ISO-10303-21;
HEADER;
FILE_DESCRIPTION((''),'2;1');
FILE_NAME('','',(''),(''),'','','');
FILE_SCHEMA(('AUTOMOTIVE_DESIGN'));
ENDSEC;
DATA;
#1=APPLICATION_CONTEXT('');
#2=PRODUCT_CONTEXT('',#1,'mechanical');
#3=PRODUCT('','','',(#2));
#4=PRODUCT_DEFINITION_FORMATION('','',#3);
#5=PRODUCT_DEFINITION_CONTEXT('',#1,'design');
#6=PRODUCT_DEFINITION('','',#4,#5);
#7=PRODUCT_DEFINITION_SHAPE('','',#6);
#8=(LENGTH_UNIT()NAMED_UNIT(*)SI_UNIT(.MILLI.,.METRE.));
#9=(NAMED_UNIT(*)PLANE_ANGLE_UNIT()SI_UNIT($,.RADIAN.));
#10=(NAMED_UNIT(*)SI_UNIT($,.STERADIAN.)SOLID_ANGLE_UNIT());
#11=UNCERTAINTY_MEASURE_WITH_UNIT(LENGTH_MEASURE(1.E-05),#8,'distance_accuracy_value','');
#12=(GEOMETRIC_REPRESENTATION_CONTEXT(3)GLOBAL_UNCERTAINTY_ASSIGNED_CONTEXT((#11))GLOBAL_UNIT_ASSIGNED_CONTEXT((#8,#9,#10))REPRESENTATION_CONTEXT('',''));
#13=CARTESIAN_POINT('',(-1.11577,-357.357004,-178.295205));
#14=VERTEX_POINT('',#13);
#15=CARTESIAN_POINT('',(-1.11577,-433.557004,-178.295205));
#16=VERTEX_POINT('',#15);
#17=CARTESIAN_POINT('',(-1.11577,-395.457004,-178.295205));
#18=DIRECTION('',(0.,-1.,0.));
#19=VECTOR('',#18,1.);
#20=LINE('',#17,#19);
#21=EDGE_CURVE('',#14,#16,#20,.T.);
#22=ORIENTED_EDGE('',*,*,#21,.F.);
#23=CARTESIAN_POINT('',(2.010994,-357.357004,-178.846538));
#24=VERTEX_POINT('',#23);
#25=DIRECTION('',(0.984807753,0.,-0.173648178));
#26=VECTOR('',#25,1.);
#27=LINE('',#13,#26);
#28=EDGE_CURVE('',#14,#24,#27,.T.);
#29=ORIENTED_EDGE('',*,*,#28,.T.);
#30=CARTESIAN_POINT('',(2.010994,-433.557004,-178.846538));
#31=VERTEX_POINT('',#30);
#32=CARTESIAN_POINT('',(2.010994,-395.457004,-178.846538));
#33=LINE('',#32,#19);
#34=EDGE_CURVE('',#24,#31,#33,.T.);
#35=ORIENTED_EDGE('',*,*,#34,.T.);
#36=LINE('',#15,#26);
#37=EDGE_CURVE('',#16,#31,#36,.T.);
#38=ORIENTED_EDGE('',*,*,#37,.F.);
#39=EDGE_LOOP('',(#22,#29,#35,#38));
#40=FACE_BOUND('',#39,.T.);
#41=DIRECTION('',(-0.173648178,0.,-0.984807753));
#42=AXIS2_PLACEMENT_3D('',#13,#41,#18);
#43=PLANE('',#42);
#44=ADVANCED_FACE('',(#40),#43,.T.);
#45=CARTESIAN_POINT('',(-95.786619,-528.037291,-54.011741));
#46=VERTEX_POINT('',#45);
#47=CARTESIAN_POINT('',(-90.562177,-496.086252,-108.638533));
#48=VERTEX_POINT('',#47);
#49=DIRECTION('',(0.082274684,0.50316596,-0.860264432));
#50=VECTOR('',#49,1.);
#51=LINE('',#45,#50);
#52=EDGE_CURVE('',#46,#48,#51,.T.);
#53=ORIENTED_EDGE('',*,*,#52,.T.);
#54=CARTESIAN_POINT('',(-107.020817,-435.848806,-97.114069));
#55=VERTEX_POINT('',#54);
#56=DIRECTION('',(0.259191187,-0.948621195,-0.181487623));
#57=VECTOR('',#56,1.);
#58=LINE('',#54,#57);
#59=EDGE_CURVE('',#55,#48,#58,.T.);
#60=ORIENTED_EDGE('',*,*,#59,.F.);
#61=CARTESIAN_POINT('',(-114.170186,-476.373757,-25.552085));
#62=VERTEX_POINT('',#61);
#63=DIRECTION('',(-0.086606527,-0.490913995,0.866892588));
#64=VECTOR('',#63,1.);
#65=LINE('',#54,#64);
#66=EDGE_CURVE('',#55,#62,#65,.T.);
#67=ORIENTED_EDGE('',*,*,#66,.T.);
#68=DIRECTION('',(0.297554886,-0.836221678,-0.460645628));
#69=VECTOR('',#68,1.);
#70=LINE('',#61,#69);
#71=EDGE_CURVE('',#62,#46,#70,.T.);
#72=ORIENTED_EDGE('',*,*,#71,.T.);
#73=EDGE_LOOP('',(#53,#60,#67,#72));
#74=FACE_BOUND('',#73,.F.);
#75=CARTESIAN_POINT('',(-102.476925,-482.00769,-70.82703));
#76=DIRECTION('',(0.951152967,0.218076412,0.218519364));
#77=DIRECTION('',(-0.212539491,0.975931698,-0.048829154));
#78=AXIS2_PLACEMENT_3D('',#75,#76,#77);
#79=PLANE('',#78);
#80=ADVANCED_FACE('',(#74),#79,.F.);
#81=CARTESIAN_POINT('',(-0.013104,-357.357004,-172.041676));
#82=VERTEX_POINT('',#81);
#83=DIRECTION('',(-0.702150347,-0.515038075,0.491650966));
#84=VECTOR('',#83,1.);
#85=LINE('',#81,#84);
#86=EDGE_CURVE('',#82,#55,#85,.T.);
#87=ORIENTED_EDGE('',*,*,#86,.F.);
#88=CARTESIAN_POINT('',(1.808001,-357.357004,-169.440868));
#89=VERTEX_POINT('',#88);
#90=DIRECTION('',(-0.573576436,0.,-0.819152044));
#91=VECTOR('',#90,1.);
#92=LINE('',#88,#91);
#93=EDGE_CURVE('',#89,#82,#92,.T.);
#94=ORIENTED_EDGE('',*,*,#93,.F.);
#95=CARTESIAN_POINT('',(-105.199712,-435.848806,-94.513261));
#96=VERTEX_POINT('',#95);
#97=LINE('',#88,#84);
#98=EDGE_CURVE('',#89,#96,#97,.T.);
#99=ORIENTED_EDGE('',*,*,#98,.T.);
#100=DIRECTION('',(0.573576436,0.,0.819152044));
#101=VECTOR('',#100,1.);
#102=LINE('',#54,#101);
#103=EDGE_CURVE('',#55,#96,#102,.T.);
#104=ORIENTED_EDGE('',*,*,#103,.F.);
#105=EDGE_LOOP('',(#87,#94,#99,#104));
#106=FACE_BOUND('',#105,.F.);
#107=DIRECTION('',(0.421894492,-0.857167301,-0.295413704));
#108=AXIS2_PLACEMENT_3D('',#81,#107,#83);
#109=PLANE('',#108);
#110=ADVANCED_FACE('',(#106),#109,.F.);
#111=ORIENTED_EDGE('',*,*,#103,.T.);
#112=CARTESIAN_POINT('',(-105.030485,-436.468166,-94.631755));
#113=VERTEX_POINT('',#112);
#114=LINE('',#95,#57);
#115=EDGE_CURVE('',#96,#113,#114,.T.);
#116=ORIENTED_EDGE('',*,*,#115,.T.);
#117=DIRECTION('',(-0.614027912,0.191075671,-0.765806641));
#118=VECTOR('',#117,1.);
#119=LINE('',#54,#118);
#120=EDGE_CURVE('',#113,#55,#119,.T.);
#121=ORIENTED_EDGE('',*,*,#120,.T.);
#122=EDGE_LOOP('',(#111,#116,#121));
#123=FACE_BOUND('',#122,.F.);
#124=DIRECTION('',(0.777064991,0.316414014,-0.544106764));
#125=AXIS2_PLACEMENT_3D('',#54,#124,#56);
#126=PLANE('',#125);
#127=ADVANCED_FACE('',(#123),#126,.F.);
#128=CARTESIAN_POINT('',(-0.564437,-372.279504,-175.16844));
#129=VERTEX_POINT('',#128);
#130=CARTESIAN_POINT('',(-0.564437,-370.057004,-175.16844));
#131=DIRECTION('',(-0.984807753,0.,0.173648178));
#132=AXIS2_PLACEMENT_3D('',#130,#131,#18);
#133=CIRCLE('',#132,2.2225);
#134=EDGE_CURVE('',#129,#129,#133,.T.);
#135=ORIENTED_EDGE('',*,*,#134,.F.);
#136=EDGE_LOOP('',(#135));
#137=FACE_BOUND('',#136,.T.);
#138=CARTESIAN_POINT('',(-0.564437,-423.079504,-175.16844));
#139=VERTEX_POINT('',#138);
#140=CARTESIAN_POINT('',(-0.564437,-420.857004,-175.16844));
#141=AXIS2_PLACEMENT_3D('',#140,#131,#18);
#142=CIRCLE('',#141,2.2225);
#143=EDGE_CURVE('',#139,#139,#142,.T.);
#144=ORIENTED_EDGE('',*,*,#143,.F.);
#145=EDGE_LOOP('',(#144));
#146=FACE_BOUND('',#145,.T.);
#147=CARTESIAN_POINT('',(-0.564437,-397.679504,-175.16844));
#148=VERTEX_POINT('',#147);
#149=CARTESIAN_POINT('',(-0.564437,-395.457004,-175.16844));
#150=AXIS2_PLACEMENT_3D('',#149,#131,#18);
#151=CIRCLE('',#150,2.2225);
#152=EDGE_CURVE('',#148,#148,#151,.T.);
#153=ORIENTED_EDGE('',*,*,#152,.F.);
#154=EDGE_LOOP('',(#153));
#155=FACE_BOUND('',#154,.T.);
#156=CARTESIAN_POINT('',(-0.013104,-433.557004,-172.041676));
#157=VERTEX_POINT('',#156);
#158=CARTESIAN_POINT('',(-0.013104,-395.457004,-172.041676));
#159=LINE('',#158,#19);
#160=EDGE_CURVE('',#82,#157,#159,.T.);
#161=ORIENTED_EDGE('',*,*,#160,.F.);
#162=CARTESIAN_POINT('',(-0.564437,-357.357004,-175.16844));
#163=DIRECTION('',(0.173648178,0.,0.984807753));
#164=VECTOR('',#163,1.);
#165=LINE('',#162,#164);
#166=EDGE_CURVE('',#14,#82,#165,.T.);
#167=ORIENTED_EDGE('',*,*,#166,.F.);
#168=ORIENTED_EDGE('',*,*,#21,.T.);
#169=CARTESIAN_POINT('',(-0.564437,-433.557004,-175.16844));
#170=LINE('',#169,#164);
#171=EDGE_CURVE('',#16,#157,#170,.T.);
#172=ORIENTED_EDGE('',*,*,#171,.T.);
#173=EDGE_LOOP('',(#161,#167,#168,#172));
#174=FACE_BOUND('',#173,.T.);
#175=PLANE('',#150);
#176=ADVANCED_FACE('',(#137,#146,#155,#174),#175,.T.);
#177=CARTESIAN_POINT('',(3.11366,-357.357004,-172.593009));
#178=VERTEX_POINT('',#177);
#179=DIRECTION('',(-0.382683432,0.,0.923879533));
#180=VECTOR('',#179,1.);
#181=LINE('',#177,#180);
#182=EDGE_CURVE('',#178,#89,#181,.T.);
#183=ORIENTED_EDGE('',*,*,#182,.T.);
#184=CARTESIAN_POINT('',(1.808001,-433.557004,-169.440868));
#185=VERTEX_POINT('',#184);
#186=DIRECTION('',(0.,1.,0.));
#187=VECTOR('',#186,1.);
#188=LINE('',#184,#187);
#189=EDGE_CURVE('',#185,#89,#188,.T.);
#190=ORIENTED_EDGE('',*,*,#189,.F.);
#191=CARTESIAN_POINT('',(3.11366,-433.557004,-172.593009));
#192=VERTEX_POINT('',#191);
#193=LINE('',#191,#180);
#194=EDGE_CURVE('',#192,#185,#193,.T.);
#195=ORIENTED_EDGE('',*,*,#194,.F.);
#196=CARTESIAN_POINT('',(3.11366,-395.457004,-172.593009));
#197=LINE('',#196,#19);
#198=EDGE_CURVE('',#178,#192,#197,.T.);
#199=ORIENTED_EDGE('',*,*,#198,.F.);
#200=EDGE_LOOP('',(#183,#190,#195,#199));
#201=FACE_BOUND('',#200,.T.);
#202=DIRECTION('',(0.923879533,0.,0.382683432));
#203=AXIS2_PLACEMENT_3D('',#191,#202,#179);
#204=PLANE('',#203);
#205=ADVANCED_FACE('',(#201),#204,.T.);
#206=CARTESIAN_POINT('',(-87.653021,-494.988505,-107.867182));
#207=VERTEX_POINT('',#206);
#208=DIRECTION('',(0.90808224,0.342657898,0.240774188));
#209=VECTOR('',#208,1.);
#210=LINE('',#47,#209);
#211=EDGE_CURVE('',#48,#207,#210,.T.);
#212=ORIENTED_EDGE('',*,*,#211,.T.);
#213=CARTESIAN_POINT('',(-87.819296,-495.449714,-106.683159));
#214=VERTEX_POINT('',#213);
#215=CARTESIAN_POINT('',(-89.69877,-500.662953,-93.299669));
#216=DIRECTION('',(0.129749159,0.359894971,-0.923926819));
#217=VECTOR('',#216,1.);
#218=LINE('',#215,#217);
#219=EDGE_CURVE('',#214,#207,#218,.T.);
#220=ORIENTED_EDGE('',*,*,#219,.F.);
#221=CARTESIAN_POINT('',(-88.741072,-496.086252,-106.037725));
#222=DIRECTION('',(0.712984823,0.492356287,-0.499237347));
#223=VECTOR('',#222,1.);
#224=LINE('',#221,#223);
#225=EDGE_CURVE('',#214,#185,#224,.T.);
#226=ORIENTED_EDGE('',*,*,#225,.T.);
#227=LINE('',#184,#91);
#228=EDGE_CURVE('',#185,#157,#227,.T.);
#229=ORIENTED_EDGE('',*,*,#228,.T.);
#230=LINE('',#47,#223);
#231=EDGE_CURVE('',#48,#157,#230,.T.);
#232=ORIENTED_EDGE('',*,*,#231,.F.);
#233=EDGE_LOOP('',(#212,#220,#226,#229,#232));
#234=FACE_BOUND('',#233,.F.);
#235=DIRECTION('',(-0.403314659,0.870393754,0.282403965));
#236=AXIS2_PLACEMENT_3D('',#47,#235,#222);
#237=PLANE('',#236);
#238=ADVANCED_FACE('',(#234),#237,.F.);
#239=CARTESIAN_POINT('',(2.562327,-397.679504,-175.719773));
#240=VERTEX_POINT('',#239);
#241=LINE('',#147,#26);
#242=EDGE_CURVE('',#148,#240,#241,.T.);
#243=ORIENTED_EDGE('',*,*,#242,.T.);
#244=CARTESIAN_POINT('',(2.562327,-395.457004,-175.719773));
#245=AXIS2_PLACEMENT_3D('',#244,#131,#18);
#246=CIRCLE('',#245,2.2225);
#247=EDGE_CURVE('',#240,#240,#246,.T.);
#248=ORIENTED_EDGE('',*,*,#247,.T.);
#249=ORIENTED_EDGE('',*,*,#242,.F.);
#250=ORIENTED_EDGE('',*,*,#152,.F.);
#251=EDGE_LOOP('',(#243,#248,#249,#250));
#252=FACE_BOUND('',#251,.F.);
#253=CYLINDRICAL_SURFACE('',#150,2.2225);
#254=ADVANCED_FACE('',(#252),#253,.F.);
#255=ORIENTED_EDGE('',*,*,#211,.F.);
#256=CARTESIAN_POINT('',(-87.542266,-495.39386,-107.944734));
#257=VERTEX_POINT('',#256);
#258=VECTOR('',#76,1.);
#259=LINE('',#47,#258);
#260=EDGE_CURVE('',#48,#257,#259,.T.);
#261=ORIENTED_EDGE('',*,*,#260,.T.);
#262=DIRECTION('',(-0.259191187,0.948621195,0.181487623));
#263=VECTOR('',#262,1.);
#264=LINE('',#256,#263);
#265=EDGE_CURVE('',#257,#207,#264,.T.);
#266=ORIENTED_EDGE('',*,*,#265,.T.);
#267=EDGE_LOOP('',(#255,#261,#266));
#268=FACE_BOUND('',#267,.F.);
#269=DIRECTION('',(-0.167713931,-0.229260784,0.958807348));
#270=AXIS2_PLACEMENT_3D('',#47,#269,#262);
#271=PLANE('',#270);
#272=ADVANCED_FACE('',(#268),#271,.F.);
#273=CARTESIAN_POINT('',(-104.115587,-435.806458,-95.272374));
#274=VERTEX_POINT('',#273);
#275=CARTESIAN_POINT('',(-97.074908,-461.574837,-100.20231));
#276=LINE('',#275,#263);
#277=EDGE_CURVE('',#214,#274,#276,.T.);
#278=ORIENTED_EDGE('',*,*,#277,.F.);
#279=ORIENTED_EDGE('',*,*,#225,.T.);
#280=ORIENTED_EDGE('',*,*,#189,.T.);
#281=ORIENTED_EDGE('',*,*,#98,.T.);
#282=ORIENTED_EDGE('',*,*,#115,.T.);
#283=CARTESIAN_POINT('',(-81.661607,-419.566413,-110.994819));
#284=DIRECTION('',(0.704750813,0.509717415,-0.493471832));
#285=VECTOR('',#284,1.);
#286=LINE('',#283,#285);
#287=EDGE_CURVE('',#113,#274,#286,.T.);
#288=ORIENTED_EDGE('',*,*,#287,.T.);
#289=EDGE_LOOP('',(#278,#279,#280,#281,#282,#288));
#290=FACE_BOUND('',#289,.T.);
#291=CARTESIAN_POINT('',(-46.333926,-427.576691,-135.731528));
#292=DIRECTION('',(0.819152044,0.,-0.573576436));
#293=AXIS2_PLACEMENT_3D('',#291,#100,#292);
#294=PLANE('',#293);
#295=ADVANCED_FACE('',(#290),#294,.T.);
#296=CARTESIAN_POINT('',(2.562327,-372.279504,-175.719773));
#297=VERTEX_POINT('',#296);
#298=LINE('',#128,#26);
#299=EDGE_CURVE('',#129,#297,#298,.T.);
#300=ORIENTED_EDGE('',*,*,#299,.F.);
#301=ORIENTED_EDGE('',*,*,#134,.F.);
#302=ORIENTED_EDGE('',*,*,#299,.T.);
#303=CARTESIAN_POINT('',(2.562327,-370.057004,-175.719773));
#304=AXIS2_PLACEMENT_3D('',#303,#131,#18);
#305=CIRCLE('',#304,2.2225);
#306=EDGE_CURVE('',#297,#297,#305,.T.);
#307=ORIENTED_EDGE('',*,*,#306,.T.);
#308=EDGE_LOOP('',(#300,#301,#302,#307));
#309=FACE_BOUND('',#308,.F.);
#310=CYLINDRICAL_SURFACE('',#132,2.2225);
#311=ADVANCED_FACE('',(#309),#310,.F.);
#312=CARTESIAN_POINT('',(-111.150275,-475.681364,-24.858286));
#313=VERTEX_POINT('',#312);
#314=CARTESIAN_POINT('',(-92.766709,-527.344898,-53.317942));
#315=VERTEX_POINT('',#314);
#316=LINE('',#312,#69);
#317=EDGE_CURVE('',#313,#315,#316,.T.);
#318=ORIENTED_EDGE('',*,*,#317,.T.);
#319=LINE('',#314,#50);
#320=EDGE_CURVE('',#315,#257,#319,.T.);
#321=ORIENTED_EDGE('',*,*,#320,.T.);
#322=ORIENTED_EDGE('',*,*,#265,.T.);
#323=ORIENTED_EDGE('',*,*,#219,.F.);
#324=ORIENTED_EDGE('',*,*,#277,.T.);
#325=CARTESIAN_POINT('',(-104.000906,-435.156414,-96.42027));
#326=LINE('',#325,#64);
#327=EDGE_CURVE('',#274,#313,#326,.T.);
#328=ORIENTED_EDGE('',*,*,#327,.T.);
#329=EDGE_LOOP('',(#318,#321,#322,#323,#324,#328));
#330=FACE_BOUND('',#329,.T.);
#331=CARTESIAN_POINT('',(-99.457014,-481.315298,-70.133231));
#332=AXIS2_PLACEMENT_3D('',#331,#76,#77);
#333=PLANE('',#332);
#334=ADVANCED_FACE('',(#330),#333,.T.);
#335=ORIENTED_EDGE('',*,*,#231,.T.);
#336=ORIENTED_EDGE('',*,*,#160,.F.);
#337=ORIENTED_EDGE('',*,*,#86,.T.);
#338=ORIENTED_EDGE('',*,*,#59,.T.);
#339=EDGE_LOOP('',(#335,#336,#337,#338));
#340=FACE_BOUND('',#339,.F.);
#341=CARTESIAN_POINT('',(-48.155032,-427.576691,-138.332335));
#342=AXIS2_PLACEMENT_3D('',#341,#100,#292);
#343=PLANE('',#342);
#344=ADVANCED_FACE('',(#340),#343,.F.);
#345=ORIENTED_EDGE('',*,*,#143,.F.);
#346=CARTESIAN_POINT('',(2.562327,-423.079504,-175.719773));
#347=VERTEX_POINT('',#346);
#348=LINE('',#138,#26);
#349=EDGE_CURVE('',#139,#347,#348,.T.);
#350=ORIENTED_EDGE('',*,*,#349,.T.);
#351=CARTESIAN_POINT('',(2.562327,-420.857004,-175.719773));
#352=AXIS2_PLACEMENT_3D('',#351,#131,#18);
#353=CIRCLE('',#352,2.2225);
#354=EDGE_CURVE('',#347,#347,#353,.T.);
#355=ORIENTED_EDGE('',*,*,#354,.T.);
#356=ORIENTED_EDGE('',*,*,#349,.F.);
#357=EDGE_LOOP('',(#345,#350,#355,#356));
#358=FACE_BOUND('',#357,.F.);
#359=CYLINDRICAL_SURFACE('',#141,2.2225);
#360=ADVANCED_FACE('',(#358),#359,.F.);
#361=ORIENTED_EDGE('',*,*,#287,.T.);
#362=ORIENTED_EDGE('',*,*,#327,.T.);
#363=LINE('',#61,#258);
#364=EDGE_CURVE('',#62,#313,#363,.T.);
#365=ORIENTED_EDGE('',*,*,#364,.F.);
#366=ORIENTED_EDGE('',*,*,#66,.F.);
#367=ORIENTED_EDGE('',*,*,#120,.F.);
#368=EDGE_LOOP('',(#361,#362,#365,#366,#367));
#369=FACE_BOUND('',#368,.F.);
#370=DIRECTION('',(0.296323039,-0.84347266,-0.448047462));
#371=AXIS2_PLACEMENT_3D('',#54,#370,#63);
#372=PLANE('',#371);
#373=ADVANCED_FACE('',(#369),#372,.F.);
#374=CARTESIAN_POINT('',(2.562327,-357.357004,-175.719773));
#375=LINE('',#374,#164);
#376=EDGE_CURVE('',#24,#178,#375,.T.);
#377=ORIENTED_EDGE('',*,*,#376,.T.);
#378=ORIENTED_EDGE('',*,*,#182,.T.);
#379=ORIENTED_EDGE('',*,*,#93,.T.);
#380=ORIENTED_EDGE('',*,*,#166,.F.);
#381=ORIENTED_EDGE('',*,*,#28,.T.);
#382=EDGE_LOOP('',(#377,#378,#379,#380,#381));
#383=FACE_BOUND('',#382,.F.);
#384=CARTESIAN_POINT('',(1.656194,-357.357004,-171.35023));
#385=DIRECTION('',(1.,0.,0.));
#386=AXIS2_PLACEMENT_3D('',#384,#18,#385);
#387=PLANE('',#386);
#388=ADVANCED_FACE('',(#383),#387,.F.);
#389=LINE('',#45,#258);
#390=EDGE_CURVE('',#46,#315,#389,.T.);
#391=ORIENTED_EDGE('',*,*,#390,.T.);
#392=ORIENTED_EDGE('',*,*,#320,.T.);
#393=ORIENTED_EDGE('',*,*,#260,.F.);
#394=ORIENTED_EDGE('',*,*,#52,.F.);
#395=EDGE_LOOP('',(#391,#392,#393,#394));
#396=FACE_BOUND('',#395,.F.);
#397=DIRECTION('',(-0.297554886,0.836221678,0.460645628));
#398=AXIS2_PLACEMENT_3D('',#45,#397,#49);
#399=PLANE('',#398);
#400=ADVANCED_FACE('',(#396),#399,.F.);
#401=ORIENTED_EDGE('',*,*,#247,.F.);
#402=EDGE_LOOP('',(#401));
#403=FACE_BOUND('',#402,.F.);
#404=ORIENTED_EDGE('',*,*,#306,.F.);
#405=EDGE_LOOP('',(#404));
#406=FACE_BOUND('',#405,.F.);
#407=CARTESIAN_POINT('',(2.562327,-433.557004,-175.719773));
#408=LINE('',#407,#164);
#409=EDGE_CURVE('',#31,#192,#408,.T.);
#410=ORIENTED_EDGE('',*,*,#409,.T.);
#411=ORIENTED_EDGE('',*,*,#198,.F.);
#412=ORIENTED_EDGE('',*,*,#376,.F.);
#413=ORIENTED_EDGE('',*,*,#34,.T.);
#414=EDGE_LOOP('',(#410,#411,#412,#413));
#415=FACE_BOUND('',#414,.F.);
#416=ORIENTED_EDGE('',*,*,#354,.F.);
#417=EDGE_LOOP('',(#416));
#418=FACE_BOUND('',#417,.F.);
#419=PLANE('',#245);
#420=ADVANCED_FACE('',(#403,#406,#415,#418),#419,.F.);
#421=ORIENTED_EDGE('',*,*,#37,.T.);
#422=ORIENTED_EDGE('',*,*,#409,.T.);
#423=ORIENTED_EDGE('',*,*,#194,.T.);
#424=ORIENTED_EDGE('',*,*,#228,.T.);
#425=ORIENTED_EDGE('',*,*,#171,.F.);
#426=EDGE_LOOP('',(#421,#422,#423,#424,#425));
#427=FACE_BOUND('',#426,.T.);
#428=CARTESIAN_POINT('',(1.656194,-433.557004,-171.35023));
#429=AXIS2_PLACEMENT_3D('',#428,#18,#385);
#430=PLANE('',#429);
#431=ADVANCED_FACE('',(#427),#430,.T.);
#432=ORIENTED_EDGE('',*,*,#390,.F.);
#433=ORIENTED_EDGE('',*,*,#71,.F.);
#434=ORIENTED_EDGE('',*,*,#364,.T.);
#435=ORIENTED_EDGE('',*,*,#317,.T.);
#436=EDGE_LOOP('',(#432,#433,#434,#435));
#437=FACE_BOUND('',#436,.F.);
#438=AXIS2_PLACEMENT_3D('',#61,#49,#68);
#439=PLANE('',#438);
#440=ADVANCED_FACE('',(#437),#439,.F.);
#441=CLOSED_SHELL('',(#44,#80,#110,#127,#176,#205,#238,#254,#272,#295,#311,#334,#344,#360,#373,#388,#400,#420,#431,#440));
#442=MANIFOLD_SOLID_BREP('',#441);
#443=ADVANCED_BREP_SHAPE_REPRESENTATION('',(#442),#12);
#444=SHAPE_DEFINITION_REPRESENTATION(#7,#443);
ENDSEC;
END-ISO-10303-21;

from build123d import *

# Parameters (mm, degrees)
F2_W      = 76.2
F2_H      = 6.35
F2_R      = 2.2225
F3_DEPTH  = 3.175
F6_DEPTH  = 76.2
F8_DEPTH  = 3.175
F11_DEPTH = 3.175


with BuildPart() as f3:
    # F2 (on face) → F3 (new body)
    with BuildSketch(Plane(origin=(29.4081501121, 0, -5.1854503175), x_dir=(0, -1, 0), z_dir=(-0.984807753, 0, 0.1736481777))):
        with Locations((395.4570037365, -172.6052516222)):
            Rectangle(F2_W, F2_H)
        with Locations((370.0570037365, -172.6052516222)):
            Circle(F2_R, mode=Mode.SUBTRACT)
        with Locations((395.4570037365, -172.6052516222)):
            Circle(F2_R, mode=Mode.SUBTRACT)
        with Locations((420.8570037365, -172.6052516222)):
            Circle(F2_R, mode=Mode.SUBTRACT)
    extrude(amount=-F3_DEPTH)

    # F5 (on face) → F6 (join)
    with BuildSketch(Plane.XZ.offset(433.5570037365)):
        Polygon((1.8080008617, -169.4408679692), (-0.0131043237, -172.0416757098), (3.1136602921, -172.5930086739), align=None)
    extrude(amount=-F6_DEPTH)

    # F7 (on face) → F8 (join)
    with BuildSketch(Plane(origin=(-80.8374577566, 0, -115.4478541652), x_dir=(0.8191520443, 0, -0.5735764364), z_dir=(0.5735764364, 0, 0.8191520443))):
        Polygon((98.668316824, -433.5570037365), (98.668316824, -357.3570037365), (-31.963979803, -435.8488063528), (-11.8716898834, -496.0862522298), align=None)
    extrude(amount=F8_DEPTH)

    # F10 (on face) → F11 (join)
    with BuildSketch(Plane(origin=(-207.4110943856, -47.5543564592, -47.6509479128), x_dir=(-0.2125394907, 0.9759316977, -0.0488291537), z_dir=(0.9511529667, 0.2180764118, 0.2185193642))):
        Polygon((-492.3325427071, -31.1929582626), (-459.5935318176, -85.6025820986), (-397.8705177815, -70.6854932975), (-439.3948891587, 0.6603480791), align=None)
    extrude(amount=F11_DEPTH)


solid = f3.part
